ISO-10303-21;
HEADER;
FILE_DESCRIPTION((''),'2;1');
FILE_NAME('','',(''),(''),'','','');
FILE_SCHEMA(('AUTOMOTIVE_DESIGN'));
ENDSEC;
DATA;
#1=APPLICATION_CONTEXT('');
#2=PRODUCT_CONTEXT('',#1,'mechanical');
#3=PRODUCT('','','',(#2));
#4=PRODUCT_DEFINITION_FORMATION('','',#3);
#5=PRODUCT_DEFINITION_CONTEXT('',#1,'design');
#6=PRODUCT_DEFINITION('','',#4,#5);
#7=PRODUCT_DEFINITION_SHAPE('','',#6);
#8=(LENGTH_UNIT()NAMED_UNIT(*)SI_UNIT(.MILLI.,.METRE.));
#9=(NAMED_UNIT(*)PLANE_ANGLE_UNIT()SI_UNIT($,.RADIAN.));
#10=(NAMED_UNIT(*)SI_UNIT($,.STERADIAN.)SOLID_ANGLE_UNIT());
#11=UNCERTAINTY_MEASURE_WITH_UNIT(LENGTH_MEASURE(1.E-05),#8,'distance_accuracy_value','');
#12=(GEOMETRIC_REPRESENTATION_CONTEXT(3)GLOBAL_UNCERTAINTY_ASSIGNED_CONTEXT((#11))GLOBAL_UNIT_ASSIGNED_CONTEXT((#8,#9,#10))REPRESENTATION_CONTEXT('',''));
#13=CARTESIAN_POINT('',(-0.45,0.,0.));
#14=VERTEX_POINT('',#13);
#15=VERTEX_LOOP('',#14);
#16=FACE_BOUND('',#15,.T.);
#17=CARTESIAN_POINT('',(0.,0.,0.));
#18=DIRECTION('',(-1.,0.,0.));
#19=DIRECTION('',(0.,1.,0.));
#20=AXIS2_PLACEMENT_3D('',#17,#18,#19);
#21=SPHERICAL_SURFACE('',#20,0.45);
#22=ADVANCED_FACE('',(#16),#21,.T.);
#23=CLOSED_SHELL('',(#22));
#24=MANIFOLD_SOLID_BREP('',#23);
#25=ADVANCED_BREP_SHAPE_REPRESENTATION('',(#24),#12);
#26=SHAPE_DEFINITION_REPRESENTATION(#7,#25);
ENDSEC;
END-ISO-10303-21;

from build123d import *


with BuildPart() as part:
    # Sketch1 → Revolve1 (revolve)
    with BuildSketch(Plane.XY):
        with BuildLine():
            Line((0.45, 0), (-0.45, 0))
            ThreePointArc((-0.45, 0), (0, 0.45), (0.45, 0))
        make_face()
    revolve(axis=Axis((0.45, 0, 0), (-1, 0, 0)))


solid = part.part
